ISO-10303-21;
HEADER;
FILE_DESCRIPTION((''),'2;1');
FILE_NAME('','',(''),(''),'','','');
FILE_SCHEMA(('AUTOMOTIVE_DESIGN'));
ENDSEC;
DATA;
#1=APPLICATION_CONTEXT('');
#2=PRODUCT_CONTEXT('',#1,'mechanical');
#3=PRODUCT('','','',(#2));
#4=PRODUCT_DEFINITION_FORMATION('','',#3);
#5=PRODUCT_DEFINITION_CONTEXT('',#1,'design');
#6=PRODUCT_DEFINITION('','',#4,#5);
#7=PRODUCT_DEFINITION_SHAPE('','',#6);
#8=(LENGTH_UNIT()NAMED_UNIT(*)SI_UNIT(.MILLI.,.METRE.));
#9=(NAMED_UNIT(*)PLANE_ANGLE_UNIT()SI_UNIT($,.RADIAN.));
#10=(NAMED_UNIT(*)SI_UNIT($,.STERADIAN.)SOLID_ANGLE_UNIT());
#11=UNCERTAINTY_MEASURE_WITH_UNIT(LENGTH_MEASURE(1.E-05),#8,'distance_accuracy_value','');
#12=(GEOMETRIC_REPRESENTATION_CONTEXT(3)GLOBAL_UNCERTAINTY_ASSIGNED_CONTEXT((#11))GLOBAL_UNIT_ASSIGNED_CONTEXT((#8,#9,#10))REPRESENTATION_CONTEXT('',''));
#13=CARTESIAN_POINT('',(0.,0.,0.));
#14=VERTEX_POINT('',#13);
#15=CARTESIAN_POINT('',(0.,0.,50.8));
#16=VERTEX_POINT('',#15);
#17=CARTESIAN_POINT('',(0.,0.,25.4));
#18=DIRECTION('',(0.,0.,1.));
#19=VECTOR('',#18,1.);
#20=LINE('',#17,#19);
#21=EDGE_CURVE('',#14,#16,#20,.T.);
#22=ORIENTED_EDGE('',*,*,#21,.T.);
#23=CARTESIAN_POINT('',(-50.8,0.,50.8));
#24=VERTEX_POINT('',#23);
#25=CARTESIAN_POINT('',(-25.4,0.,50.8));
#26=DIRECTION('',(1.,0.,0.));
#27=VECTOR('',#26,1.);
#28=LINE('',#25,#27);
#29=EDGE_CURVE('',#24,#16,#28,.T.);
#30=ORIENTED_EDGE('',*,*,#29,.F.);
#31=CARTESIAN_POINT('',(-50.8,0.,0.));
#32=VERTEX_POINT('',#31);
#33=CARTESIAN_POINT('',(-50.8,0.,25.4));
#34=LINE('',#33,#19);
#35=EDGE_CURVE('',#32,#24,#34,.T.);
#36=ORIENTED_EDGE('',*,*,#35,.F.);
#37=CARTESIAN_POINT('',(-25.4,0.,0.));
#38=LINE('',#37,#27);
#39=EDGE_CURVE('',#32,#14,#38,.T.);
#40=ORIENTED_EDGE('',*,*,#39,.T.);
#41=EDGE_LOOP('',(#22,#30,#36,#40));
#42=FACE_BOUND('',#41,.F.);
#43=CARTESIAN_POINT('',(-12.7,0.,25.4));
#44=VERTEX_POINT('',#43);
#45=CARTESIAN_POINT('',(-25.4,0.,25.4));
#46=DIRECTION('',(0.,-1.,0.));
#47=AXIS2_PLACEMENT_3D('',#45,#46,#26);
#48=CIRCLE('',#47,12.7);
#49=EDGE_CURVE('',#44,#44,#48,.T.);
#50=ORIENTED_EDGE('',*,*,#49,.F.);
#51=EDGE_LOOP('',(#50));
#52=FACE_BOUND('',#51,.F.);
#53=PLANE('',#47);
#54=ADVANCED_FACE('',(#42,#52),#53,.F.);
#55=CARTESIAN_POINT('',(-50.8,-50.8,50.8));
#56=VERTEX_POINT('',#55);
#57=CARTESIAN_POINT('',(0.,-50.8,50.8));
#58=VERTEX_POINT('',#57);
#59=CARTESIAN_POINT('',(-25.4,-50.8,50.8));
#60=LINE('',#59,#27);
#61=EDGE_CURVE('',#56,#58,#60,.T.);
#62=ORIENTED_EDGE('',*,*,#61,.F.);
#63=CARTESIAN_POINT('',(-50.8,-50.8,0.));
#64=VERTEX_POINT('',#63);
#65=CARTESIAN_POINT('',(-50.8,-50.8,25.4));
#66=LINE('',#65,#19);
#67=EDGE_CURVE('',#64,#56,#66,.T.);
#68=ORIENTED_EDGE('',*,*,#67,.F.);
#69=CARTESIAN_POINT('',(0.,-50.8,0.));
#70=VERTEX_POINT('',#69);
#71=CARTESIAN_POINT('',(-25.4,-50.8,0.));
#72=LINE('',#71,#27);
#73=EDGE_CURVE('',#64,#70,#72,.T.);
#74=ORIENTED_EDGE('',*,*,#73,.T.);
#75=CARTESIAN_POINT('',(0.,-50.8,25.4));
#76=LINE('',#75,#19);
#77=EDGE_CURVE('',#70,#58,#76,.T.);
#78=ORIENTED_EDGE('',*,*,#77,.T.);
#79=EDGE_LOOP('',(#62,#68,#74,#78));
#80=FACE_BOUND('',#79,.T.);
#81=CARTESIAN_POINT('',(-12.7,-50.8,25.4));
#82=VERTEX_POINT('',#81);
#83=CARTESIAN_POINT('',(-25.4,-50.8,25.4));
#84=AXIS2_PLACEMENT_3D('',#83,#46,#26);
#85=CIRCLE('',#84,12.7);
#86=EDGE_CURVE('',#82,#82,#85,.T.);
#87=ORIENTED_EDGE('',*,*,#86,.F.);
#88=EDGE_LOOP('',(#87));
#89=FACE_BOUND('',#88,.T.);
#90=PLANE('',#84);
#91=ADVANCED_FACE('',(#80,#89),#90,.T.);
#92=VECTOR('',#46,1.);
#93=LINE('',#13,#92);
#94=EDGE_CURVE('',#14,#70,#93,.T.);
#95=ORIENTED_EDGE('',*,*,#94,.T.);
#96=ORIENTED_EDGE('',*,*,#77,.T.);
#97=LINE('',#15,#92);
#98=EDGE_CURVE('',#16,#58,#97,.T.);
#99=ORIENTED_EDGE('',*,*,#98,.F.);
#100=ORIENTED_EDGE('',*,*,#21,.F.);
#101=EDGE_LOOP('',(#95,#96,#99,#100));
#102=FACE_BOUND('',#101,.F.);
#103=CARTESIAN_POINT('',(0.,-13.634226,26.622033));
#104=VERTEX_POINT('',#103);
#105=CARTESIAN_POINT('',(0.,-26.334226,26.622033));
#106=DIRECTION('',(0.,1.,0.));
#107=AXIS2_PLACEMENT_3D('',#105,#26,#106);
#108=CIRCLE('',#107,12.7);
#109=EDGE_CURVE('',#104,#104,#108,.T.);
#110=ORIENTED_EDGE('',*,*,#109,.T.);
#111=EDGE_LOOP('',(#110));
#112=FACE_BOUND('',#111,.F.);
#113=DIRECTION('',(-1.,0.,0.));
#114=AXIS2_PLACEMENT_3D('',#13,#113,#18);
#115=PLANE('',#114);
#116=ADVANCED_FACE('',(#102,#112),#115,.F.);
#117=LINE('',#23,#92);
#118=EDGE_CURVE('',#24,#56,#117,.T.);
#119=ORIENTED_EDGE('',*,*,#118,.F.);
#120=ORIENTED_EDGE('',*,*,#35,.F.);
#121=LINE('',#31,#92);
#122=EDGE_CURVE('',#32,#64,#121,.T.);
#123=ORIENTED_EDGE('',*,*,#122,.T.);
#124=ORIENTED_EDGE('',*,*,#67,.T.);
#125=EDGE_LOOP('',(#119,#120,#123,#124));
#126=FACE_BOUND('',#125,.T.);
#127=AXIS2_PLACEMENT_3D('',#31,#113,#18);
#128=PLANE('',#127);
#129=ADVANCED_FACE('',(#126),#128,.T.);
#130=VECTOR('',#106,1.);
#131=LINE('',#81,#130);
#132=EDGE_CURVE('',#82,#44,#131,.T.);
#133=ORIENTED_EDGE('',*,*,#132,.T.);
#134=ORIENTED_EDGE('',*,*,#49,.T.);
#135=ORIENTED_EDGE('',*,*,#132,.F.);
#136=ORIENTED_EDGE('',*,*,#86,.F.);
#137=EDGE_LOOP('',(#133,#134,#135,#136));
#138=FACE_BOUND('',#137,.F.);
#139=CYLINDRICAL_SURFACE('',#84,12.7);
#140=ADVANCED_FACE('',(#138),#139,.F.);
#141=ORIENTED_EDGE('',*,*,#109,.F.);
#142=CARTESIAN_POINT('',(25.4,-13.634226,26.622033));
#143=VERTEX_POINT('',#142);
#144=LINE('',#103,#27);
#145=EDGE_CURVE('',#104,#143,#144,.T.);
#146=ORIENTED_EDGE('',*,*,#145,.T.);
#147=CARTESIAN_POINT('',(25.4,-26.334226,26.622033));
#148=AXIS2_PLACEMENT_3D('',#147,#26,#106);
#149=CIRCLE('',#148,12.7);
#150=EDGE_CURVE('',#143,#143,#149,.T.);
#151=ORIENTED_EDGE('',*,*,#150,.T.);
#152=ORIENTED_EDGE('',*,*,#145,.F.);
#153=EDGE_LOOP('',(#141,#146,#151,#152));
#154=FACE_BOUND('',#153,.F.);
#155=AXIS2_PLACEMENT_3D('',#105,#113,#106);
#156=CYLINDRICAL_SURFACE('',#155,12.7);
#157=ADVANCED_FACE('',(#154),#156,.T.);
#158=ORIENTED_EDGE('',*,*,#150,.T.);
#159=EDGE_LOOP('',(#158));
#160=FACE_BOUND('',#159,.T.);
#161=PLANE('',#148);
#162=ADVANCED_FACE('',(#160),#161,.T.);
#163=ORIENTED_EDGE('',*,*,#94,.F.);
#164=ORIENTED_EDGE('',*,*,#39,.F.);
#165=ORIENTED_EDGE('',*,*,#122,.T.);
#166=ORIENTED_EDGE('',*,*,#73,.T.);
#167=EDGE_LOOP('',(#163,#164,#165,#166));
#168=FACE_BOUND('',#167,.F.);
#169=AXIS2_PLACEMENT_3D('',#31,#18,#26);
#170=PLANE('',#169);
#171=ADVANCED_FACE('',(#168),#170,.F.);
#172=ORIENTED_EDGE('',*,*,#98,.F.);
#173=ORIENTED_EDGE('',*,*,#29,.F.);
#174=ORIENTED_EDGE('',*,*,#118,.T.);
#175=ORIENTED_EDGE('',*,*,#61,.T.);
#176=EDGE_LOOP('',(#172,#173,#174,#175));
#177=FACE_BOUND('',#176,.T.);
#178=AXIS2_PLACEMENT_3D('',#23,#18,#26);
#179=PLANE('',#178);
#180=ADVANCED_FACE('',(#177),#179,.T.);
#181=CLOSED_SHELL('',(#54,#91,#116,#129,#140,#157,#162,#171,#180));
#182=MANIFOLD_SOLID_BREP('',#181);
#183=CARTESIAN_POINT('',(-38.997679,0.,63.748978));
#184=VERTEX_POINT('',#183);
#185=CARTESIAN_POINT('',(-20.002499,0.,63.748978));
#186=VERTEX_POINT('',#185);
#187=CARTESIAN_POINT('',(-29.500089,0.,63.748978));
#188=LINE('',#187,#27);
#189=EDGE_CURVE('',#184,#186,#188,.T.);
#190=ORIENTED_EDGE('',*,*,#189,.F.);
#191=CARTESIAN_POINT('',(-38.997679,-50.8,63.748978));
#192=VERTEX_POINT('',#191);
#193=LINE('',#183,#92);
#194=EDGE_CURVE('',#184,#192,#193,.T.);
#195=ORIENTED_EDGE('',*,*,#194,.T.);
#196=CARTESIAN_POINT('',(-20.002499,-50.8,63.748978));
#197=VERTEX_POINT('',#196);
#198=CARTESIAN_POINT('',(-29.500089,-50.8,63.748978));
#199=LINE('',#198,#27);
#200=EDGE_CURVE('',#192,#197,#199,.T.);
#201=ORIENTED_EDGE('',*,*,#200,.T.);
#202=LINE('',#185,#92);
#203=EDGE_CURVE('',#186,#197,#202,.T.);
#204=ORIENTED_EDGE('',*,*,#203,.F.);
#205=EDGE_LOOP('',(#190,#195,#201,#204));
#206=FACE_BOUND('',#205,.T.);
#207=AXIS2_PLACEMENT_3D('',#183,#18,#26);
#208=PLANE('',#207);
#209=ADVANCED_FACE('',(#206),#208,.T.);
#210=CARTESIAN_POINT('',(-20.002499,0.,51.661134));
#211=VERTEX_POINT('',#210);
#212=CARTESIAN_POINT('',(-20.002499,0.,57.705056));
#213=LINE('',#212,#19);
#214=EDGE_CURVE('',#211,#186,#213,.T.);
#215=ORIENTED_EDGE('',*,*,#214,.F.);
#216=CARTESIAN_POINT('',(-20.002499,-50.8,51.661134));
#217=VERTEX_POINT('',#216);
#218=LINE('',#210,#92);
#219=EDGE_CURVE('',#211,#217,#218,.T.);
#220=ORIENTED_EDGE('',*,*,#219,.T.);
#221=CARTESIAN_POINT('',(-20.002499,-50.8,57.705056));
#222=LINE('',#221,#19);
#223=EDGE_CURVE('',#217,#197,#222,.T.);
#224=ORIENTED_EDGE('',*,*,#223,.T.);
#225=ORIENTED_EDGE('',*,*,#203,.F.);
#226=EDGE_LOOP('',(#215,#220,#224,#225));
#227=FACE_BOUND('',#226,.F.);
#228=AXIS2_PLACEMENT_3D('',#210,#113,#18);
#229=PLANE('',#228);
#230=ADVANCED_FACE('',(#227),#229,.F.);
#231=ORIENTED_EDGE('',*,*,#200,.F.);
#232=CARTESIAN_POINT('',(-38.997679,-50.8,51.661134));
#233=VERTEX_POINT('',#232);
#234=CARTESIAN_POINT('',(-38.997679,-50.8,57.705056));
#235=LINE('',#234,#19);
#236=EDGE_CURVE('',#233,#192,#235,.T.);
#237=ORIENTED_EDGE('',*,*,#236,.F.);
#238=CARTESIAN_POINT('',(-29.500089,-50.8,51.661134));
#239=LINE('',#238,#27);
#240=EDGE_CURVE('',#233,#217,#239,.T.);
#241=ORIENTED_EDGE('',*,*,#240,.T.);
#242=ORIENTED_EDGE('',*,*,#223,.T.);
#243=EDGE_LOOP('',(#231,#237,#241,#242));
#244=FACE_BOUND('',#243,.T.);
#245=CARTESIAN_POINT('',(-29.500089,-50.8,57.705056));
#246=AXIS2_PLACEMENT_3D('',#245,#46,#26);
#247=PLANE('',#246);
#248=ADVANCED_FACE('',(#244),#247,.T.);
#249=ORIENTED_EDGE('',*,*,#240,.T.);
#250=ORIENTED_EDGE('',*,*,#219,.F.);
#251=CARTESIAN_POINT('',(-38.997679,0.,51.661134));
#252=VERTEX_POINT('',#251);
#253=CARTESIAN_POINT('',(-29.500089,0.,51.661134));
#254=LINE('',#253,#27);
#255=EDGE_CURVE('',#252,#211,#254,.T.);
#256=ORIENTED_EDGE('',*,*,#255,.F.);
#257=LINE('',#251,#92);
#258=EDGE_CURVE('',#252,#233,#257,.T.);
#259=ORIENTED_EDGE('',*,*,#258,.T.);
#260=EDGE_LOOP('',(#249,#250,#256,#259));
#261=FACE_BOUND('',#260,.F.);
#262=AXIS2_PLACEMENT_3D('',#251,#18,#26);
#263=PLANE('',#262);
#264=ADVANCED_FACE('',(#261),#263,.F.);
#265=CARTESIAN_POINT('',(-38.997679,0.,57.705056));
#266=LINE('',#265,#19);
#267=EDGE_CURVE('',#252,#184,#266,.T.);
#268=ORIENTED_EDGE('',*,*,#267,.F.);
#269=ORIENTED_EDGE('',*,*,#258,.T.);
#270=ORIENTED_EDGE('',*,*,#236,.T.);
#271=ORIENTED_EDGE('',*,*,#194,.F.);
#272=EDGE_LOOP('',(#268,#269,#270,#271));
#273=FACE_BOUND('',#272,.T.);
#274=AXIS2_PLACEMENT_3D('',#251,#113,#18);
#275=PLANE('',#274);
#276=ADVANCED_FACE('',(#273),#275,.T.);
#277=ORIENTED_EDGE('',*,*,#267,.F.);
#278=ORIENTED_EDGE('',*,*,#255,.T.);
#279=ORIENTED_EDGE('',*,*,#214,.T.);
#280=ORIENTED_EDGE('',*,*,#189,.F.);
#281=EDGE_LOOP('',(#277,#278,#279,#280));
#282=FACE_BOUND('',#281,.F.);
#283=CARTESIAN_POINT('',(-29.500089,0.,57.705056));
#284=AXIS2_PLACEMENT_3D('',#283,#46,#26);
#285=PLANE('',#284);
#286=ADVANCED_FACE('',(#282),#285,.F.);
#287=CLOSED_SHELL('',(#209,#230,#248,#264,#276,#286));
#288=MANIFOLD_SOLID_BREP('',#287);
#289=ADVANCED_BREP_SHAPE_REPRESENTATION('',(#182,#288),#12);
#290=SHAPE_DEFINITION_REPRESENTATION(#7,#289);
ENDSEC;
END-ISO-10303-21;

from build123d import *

# Parameters (mm, degrees)
F0_W     = 50.8
F0_H     = 50.8
F1_DEPTH = 50.8
F2_R     = 12.7
F3_DEPTH = 50.8
F4_W     = 18.995181
F4_H     = 12.087844
F5_DEPTH = 50.8
F6_R     = 12.7
F7_DEPTH = 25.4


with BuildPart() as f1:
    # F0 (on Front) → F1 (new body)
    with BuildSketch(Plane.XZ):
        with Locations((-25.4, 25.4)):
            Rectangle(F0_W, F0_H)
    extrude(amount=F1_DEPTH)

    # F2 (on face) → F3 (cut)
    with BuildSketch(Plane.XZ.offset(50.8)):
        with Locations((-25.4, 25.4)):
            Circle(F2_R)
    extrude(amount=-F3_DEPTH, mode=Mode.SUBTRACT)

    # F6 (on Right) → F7 (join)
    with BuildSketch(Plane.YZ):
        with Locations((-26.334226, 26.622033)):
            Circle(F6_R)
    extrude(amount=F7_DEPTH)


with BuildPart() as f5:
    # F4 (on Front) → F5 (new body)
    with BuildSketch(Plane.XZ):
        with Locations((-29.500089, 57.705056)):
            Rectangle(F4_W, F4_H)
    extrude(amount=F5_DEPTH)


solid = Compound([f1.part, f5.part])
